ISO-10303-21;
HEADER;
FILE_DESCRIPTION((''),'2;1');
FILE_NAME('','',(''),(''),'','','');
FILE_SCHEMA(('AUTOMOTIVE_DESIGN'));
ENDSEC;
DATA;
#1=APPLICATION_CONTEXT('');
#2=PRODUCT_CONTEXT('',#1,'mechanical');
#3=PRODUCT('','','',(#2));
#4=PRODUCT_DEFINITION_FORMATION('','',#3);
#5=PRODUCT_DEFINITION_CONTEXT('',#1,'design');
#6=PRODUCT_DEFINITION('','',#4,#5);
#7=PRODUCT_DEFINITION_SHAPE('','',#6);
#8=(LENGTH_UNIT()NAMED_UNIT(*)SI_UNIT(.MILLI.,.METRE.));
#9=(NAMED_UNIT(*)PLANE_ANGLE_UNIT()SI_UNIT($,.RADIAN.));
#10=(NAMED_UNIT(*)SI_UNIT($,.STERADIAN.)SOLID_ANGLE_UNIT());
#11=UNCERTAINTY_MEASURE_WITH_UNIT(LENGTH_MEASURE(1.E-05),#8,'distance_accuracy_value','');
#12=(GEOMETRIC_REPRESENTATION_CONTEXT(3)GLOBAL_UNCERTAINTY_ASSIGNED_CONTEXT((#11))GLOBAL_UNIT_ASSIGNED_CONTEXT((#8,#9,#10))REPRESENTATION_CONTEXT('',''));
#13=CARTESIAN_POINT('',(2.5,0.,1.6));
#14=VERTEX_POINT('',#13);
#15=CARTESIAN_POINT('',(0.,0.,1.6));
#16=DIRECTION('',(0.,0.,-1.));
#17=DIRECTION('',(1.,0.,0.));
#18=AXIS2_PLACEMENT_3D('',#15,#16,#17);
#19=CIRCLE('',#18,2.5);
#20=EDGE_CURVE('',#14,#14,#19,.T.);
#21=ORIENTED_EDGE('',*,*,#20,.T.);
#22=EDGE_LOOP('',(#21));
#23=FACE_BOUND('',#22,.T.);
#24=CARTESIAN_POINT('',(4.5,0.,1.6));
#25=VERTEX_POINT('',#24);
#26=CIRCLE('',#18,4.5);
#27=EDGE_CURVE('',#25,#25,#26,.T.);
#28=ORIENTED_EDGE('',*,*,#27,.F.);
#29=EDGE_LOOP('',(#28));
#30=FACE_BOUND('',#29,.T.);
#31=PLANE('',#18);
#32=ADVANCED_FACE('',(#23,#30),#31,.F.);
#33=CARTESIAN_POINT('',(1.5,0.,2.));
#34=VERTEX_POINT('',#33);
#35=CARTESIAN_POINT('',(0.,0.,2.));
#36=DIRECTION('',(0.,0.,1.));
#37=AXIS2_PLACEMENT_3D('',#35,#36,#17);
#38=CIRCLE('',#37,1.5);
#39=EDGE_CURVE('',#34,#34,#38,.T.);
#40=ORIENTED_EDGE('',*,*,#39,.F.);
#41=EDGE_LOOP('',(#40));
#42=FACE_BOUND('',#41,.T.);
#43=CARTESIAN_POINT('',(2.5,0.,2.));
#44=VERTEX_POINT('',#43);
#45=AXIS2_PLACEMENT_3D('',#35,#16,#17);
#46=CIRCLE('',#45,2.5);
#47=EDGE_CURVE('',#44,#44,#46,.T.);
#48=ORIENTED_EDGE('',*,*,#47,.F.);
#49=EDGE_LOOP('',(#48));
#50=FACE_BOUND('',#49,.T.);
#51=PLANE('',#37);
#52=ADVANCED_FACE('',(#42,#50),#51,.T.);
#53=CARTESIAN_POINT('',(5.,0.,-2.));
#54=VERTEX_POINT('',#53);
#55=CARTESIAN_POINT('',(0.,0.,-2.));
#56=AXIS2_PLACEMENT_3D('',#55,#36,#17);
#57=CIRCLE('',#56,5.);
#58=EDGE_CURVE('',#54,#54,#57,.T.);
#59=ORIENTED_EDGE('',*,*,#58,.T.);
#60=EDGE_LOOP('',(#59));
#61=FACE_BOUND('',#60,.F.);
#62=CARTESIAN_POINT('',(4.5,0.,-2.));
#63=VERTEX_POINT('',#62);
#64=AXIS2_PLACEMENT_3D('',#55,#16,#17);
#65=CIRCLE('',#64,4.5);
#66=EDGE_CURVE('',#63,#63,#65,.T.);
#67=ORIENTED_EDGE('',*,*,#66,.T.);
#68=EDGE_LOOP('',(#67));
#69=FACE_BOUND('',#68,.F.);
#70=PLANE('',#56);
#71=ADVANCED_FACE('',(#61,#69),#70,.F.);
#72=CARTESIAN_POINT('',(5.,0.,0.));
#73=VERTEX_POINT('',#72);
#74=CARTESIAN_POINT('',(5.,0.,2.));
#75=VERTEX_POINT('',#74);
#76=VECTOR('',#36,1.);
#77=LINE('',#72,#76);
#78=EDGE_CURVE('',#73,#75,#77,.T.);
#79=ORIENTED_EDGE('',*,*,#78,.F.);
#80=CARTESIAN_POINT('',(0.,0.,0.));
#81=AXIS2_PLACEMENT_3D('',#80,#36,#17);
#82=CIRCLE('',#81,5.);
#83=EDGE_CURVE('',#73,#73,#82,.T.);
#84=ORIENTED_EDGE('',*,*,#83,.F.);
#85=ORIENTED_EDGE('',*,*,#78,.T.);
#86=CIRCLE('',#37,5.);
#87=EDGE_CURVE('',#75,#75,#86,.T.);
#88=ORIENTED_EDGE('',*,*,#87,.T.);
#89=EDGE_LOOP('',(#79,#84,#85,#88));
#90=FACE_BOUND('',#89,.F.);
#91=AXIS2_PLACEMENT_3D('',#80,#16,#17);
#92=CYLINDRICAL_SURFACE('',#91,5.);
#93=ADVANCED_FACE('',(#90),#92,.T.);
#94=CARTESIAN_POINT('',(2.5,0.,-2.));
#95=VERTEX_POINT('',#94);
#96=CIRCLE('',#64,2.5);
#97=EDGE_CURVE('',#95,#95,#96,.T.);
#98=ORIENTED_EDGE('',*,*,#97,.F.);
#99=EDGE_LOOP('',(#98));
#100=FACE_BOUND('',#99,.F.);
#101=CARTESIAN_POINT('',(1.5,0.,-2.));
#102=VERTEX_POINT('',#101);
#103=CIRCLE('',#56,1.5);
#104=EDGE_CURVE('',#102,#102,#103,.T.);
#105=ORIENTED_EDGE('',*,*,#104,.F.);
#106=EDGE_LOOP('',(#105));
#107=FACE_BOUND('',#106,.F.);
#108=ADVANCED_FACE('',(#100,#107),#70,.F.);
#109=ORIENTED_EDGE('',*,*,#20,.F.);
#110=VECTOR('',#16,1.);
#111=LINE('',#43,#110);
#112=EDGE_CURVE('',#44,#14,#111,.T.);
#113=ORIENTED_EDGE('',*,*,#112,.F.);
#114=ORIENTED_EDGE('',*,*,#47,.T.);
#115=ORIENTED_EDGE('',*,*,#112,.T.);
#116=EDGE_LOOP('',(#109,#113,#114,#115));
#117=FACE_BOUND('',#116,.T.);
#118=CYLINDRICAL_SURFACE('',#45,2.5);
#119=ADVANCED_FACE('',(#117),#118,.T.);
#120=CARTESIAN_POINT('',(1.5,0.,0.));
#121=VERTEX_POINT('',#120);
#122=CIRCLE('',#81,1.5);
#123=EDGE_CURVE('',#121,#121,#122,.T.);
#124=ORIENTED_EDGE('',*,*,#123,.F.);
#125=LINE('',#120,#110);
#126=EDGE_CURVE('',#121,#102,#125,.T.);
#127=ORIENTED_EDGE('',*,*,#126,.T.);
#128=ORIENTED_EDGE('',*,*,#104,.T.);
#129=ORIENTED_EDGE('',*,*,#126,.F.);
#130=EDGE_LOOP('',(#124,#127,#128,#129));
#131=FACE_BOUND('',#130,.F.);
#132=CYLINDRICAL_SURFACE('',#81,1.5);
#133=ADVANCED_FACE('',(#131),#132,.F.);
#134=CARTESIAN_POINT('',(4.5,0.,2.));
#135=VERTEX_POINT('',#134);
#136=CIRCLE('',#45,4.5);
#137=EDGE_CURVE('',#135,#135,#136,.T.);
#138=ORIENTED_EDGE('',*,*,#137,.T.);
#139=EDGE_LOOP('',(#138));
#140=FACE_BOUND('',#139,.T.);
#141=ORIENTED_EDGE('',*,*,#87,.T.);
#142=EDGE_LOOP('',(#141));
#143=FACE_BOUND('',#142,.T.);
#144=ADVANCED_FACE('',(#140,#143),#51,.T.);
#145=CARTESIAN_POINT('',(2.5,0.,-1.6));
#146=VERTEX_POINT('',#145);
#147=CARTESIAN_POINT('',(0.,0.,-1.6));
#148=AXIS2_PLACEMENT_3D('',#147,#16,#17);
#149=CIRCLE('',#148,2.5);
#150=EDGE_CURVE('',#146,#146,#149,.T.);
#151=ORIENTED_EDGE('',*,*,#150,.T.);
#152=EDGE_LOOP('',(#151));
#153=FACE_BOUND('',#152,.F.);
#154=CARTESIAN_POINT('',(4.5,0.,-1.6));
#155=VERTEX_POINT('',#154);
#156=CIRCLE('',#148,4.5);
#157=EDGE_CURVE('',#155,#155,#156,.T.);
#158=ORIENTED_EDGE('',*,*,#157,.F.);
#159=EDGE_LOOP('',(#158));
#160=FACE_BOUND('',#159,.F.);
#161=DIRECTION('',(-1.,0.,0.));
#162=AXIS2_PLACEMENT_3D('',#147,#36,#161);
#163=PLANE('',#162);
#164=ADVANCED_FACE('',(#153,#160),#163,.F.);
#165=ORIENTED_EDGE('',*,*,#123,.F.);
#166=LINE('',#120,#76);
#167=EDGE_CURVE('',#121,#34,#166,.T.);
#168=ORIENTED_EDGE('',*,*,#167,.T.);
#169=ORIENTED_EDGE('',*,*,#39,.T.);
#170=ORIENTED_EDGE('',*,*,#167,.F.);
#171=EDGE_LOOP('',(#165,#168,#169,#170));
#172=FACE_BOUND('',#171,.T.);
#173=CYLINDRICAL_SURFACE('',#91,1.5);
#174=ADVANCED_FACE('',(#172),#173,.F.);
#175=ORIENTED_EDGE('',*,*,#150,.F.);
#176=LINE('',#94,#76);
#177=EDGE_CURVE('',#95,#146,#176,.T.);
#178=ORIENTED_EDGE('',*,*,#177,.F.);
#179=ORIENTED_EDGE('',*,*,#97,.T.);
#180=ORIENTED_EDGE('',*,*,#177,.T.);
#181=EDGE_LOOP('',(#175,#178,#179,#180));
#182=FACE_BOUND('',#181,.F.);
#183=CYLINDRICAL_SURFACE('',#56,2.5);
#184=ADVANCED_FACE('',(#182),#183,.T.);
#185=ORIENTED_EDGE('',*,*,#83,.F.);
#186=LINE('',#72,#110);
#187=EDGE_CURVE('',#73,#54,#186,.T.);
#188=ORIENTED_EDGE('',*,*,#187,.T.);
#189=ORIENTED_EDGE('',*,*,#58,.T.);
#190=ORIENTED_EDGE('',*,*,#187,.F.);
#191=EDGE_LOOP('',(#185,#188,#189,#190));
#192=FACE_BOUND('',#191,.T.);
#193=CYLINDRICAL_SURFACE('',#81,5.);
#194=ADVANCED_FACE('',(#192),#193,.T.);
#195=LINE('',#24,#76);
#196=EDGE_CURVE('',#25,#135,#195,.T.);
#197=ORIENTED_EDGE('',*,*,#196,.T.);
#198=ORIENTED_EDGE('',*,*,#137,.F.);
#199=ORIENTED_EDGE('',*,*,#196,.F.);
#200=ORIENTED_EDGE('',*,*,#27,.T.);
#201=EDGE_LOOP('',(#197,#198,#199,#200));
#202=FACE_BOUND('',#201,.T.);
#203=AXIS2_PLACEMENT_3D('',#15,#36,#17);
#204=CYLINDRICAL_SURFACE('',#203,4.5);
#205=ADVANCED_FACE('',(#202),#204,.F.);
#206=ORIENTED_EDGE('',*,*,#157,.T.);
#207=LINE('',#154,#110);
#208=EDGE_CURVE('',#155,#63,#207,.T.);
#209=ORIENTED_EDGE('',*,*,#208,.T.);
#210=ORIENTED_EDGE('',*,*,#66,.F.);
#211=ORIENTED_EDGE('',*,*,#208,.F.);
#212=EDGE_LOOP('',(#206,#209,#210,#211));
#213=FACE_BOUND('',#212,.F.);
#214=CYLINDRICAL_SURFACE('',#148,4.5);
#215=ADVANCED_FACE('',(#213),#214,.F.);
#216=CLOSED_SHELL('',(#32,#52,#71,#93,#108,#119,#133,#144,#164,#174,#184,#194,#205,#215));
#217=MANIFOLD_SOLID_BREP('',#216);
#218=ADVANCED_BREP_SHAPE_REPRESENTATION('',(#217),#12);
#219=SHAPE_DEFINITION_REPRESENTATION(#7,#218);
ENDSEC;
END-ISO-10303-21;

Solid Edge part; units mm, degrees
sketch "Sketch1" plane through (0, 0, 0) normal (0, 0, 1) x (1, 0, 0)
  circle A0 centre (0, 0) radius 1.5
  circle A1 centre (0, 0) radius 5
  dimension "D1" = 10
extrude "Protrusion1" add sketch "Sketch1" along normal mid plane 4
sketch "Sketch2" plane through (0, 0, 0) normal (0, -1, 0) x (1, 0, 0)
  line L0 (0, 2) -> (2.5, 2)
  line L1 (2.5, 2) -> (2.5, 1.6)
  line L2 (2.5, 1.6) -> (4.5, 1.6)
  line L3 (4.5, 1.6) -> (4.5, 2)
  line L4 (4.5, 2) -> (5.6166, 2)
  dimension "D1" = 0.4
  dimension "D2" = 0.4
revolve "RevolvedCutout1" cut sketch "Sketch2" angle 360 about axis through (0, 0, 54) along (0, 0, -1) material side at (1.25, 0, 2.05)
mirror "Mirror1" about plane through (0, 0, 0) normal (0, 0, 1) of "RevolvedCutout1"
properties material "Stainless steel"
